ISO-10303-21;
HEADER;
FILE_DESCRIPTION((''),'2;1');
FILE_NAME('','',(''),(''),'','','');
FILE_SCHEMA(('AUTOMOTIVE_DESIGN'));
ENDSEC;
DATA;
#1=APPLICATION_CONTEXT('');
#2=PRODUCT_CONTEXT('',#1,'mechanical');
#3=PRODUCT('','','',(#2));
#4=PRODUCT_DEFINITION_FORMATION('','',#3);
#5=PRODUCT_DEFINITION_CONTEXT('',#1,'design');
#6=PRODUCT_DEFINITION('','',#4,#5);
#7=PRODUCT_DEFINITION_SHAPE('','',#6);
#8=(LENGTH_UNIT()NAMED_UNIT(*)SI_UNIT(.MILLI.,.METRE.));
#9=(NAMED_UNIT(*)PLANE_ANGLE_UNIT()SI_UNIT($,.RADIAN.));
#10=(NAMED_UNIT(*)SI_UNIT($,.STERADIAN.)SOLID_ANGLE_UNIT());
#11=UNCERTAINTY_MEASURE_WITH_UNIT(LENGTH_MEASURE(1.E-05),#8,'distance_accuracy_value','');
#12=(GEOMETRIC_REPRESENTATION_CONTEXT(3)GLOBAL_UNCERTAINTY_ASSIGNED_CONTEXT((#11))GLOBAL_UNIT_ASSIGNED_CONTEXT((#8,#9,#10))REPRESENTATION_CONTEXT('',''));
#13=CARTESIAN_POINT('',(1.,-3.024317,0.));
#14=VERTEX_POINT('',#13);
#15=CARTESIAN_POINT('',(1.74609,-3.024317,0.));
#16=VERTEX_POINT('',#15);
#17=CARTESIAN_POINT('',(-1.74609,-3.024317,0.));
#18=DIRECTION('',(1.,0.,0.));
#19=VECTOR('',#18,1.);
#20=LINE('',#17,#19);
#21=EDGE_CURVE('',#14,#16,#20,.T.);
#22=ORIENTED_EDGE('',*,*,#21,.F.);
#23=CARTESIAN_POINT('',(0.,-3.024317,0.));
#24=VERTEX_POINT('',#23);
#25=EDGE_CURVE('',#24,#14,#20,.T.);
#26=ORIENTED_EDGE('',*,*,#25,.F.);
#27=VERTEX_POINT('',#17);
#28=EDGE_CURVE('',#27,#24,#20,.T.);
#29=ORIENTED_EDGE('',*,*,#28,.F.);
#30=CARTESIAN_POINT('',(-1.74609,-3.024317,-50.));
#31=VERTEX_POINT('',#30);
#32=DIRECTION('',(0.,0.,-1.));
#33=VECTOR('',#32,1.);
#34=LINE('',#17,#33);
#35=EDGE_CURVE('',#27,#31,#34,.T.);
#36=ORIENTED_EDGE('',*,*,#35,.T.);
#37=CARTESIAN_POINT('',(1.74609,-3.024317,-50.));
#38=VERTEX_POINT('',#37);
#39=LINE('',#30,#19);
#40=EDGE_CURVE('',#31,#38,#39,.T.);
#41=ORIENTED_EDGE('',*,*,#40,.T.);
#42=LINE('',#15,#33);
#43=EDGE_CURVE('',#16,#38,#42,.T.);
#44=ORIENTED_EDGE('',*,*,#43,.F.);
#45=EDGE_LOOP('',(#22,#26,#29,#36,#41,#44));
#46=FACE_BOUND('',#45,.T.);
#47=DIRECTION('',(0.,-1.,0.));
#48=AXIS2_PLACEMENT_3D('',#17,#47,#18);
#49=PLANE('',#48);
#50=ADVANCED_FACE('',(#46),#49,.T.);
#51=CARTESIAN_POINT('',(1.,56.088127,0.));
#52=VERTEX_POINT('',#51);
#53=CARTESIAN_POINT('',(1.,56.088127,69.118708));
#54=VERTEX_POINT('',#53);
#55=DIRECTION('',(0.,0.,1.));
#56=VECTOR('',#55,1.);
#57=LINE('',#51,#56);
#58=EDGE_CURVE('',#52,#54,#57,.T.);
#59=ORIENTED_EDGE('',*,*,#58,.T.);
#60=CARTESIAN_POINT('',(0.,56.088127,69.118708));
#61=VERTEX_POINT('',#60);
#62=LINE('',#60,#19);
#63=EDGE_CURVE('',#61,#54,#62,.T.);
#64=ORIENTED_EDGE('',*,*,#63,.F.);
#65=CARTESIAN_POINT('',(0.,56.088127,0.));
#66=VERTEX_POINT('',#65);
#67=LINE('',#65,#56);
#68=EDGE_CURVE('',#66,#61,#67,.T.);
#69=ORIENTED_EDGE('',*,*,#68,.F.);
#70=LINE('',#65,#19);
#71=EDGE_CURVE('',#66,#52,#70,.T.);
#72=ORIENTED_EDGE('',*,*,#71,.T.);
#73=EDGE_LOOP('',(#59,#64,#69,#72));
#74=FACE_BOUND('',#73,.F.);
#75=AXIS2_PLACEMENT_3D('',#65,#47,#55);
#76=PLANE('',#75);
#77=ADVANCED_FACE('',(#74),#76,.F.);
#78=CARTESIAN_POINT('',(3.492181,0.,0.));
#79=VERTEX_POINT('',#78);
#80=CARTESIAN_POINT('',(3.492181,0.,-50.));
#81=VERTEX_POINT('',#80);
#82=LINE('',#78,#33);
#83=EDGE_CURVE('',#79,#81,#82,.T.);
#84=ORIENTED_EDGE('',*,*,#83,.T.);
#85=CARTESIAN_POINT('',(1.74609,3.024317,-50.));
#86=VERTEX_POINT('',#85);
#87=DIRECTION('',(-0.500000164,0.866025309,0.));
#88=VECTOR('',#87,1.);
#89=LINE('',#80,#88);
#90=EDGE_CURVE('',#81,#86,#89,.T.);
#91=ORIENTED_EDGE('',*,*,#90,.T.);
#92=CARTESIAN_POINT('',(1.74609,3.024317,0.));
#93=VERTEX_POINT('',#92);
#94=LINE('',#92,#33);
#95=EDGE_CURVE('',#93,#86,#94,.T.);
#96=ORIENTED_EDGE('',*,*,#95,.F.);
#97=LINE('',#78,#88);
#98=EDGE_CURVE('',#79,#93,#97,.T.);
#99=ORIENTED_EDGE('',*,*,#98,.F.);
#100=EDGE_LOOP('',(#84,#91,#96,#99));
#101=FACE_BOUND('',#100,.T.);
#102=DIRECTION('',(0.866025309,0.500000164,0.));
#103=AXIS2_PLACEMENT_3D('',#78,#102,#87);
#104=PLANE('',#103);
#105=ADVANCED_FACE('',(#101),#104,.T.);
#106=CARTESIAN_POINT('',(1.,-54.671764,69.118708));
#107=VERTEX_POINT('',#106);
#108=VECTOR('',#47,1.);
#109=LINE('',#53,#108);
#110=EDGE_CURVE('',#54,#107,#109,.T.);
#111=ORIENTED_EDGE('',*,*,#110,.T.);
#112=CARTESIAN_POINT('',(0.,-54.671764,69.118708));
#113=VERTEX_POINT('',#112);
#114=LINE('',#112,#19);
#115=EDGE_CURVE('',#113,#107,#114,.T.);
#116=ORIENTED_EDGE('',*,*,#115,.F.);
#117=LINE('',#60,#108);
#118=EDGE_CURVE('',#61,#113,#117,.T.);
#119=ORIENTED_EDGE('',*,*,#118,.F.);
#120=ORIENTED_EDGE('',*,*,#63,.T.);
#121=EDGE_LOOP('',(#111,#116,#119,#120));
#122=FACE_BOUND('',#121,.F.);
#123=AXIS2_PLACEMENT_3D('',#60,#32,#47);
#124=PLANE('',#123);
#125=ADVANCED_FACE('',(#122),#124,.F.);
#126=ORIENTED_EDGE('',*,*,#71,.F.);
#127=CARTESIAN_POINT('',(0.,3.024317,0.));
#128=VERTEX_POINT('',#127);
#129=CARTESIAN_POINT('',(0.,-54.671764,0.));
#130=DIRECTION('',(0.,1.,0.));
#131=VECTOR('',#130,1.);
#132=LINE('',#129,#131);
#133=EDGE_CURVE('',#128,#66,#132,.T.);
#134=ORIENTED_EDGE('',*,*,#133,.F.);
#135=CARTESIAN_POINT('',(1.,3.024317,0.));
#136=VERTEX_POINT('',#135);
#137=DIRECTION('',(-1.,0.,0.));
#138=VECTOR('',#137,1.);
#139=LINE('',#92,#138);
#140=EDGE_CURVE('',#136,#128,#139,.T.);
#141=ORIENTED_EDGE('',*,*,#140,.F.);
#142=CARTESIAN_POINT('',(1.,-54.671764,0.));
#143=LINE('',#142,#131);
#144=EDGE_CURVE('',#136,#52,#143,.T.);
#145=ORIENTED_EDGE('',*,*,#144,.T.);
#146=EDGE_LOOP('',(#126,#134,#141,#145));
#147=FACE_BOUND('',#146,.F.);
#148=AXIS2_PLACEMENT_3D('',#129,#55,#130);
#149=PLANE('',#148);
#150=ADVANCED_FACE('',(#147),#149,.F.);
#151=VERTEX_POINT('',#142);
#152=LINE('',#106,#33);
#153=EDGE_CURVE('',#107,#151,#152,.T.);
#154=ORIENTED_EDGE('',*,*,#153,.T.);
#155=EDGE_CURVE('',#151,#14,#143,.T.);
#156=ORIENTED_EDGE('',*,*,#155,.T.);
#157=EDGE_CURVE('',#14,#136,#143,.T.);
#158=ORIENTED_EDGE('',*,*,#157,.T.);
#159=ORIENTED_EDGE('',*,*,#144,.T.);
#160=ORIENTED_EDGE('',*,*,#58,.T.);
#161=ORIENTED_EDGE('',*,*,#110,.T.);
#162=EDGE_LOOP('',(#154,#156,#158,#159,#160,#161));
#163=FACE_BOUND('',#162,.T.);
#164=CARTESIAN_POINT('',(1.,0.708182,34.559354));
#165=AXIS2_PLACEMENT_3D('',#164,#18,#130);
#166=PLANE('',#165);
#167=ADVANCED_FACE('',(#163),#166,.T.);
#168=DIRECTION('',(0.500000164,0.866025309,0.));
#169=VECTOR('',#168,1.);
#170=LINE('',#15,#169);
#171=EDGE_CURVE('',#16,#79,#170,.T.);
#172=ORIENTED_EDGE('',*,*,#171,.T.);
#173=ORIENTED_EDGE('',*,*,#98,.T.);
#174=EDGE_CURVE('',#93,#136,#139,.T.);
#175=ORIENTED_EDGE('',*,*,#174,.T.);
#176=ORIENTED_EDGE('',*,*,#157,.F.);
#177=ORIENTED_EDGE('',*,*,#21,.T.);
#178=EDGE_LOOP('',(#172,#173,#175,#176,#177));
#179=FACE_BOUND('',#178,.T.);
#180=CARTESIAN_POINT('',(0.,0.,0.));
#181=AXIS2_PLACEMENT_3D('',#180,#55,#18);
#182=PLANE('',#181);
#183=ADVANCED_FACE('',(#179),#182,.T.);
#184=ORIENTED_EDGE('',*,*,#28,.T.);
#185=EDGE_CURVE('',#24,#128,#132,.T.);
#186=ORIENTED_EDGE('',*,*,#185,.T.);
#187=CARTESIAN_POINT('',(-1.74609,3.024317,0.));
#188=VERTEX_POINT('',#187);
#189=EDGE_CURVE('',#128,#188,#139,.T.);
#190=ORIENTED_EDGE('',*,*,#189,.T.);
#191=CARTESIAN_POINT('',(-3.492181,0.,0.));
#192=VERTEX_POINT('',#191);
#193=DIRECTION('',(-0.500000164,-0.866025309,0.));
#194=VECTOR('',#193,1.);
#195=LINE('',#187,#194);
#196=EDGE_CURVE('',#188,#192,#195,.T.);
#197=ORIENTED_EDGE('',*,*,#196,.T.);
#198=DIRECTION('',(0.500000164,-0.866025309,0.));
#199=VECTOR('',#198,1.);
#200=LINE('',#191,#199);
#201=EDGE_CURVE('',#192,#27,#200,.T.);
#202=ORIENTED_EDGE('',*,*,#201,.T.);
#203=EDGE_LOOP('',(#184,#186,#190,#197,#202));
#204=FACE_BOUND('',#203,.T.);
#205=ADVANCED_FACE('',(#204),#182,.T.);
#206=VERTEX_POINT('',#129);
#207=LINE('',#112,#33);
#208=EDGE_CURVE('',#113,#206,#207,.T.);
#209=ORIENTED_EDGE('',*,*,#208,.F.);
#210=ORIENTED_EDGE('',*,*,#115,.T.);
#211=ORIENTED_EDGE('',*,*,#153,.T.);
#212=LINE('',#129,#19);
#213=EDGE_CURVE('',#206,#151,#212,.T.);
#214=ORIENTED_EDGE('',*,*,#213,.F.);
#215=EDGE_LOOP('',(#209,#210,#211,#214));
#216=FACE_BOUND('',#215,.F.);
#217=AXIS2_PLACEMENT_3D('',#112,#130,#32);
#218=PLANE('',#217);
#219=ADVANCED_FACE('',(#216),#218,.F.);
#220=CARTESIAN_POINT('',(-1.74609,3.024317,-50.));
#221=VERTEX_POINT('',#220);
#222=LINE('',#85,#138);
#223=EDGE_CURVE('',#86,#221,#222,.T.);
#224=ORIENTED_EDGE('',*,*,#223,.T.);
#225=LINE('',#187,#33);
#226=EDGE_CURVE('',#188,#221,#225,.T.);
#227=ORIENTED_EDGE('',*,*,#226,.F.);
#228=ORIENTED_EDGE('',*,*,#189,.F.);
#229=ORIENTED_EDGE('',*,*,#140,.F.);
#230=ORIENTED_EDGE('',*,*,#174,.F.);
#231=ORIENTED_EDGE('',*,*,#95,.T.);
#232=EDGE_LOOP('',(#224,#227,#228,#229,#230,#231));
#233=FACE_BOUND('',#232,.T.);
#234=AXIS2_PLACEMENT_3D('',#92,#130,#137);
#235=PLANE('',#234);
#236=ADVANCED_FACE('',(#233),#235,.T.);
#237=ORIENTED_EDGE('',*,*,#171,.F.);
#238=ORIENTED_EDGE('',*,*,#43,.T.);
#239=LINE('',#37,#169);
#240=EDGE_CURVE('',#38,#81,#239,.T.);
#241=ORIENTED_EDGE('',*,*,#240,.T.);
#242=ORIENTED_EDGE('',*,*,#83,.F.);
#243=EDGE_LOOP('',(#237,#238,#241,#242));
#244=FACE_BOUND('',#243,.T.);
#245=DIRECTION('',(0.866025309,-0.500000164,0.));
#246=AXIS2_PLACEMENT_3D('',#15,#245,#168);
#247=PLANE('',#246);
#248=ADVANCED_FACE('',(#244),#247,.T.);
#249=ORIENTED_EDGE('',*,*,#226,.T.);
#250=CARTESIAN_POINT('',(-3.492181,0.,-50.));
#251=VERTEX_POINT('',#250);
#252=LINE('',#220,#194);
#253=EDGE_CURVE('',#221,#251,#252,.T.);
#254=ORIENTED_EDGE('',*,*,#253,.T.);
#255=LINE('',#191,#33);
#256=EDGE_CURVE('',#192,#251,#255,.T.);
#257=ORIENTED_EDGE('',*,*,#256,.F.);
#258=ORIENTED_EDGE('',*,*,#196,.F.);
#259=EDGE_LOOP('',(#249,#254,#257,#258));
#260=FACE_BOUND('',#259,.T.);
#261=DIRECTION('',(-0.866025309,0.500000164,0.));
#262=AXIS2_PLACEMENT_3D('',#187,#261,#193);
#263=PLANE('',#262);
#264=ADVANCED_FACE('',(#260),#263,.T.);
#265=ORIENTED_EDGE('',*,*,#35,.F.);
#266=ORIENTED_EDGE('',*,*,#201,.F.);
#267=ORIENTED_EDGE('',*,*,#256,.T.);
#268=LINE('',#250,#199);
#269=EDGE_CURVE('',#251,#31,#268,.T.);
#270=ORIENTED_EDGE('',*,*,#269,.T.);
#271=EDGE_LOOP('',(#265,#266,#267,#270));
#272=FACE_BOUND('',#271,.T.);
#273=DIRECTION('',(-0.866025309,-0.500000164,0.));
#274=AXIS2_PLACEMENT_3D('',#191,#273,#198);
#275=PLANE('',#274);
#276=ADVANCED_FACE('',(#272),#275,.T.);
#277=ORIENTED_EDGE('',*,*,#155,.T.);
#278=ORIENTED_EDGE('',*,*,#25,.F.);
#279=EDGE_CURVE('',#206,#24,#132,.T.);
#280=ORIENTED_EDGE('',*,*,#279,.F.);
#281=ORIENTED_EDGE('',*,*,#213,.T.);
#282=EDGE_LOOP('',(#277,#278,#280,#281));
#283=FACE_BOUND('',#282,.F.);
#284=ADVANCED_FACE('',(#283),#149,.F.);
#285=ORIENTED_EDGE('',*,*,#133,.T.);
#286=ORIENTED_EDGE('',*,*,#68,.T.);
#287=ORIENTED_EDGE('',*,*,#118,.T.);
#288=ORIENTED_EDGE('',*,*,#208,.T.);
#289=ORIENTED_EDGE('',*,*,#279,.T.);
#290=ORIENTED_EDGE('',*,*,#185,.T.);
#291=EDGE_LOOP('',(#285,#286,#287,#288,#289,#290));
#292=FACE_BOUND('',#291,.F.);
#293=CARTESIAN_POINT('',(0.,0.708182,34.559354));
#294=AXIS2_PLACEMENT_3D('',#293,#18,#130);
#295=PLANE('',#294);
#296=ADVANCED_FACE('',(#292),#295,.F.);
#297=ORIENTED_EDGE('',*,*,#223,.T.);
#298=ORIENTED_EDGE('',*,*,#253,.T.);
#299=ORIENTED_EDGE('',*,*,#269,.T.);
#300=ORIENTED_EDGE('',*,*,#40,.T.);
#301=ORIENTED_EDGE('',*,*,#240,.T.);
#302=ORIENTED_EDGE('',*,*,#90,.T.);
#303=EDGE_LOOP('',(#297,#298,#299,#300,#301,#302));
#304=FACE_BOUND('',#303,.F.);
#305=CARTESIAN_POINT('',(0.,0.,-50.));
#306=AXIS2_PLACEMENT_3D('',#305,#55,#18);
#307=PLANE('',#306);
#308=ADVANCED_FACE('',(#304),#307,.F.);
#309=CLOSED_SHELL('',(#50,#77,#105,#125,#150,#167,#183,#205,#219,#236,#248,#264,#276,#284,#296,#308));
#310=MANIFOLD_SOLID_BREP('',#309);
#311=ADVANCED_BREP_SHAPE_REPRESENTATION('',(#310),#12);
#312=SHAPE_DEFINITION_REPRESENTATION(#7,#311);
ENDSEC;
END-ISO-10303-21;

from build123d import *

# Parameters (mm, degrees)
F2_DEPTH = 50
F3_DEPTH = 1


with BuildPart() as f2:
    # F1 (on Top) → F2 (new body)
    with BuildSketch(Plane.XY):
        Polygon((1.74609, 3.024317), (-1.74609, 3.024317), (-3.492181, 0), (-1.74609, -3.024317), (1.74609, -3.024317), (3.492181, 0), align=None)
    extrude(amount=-F2_DEPTH)

    # F0 (on Right) → F3 (join)
    with BuildSketch(Plane.YZ):
        Polygon((-54.671764, 69.118708), (-54.671764, 0), (-8.214929, 0), (6.51529, 0), (56.088127, 0), (56.088127, 69.118708), align=None)
    extrude(amount=F3_DEPTH)


solid = f2.part
